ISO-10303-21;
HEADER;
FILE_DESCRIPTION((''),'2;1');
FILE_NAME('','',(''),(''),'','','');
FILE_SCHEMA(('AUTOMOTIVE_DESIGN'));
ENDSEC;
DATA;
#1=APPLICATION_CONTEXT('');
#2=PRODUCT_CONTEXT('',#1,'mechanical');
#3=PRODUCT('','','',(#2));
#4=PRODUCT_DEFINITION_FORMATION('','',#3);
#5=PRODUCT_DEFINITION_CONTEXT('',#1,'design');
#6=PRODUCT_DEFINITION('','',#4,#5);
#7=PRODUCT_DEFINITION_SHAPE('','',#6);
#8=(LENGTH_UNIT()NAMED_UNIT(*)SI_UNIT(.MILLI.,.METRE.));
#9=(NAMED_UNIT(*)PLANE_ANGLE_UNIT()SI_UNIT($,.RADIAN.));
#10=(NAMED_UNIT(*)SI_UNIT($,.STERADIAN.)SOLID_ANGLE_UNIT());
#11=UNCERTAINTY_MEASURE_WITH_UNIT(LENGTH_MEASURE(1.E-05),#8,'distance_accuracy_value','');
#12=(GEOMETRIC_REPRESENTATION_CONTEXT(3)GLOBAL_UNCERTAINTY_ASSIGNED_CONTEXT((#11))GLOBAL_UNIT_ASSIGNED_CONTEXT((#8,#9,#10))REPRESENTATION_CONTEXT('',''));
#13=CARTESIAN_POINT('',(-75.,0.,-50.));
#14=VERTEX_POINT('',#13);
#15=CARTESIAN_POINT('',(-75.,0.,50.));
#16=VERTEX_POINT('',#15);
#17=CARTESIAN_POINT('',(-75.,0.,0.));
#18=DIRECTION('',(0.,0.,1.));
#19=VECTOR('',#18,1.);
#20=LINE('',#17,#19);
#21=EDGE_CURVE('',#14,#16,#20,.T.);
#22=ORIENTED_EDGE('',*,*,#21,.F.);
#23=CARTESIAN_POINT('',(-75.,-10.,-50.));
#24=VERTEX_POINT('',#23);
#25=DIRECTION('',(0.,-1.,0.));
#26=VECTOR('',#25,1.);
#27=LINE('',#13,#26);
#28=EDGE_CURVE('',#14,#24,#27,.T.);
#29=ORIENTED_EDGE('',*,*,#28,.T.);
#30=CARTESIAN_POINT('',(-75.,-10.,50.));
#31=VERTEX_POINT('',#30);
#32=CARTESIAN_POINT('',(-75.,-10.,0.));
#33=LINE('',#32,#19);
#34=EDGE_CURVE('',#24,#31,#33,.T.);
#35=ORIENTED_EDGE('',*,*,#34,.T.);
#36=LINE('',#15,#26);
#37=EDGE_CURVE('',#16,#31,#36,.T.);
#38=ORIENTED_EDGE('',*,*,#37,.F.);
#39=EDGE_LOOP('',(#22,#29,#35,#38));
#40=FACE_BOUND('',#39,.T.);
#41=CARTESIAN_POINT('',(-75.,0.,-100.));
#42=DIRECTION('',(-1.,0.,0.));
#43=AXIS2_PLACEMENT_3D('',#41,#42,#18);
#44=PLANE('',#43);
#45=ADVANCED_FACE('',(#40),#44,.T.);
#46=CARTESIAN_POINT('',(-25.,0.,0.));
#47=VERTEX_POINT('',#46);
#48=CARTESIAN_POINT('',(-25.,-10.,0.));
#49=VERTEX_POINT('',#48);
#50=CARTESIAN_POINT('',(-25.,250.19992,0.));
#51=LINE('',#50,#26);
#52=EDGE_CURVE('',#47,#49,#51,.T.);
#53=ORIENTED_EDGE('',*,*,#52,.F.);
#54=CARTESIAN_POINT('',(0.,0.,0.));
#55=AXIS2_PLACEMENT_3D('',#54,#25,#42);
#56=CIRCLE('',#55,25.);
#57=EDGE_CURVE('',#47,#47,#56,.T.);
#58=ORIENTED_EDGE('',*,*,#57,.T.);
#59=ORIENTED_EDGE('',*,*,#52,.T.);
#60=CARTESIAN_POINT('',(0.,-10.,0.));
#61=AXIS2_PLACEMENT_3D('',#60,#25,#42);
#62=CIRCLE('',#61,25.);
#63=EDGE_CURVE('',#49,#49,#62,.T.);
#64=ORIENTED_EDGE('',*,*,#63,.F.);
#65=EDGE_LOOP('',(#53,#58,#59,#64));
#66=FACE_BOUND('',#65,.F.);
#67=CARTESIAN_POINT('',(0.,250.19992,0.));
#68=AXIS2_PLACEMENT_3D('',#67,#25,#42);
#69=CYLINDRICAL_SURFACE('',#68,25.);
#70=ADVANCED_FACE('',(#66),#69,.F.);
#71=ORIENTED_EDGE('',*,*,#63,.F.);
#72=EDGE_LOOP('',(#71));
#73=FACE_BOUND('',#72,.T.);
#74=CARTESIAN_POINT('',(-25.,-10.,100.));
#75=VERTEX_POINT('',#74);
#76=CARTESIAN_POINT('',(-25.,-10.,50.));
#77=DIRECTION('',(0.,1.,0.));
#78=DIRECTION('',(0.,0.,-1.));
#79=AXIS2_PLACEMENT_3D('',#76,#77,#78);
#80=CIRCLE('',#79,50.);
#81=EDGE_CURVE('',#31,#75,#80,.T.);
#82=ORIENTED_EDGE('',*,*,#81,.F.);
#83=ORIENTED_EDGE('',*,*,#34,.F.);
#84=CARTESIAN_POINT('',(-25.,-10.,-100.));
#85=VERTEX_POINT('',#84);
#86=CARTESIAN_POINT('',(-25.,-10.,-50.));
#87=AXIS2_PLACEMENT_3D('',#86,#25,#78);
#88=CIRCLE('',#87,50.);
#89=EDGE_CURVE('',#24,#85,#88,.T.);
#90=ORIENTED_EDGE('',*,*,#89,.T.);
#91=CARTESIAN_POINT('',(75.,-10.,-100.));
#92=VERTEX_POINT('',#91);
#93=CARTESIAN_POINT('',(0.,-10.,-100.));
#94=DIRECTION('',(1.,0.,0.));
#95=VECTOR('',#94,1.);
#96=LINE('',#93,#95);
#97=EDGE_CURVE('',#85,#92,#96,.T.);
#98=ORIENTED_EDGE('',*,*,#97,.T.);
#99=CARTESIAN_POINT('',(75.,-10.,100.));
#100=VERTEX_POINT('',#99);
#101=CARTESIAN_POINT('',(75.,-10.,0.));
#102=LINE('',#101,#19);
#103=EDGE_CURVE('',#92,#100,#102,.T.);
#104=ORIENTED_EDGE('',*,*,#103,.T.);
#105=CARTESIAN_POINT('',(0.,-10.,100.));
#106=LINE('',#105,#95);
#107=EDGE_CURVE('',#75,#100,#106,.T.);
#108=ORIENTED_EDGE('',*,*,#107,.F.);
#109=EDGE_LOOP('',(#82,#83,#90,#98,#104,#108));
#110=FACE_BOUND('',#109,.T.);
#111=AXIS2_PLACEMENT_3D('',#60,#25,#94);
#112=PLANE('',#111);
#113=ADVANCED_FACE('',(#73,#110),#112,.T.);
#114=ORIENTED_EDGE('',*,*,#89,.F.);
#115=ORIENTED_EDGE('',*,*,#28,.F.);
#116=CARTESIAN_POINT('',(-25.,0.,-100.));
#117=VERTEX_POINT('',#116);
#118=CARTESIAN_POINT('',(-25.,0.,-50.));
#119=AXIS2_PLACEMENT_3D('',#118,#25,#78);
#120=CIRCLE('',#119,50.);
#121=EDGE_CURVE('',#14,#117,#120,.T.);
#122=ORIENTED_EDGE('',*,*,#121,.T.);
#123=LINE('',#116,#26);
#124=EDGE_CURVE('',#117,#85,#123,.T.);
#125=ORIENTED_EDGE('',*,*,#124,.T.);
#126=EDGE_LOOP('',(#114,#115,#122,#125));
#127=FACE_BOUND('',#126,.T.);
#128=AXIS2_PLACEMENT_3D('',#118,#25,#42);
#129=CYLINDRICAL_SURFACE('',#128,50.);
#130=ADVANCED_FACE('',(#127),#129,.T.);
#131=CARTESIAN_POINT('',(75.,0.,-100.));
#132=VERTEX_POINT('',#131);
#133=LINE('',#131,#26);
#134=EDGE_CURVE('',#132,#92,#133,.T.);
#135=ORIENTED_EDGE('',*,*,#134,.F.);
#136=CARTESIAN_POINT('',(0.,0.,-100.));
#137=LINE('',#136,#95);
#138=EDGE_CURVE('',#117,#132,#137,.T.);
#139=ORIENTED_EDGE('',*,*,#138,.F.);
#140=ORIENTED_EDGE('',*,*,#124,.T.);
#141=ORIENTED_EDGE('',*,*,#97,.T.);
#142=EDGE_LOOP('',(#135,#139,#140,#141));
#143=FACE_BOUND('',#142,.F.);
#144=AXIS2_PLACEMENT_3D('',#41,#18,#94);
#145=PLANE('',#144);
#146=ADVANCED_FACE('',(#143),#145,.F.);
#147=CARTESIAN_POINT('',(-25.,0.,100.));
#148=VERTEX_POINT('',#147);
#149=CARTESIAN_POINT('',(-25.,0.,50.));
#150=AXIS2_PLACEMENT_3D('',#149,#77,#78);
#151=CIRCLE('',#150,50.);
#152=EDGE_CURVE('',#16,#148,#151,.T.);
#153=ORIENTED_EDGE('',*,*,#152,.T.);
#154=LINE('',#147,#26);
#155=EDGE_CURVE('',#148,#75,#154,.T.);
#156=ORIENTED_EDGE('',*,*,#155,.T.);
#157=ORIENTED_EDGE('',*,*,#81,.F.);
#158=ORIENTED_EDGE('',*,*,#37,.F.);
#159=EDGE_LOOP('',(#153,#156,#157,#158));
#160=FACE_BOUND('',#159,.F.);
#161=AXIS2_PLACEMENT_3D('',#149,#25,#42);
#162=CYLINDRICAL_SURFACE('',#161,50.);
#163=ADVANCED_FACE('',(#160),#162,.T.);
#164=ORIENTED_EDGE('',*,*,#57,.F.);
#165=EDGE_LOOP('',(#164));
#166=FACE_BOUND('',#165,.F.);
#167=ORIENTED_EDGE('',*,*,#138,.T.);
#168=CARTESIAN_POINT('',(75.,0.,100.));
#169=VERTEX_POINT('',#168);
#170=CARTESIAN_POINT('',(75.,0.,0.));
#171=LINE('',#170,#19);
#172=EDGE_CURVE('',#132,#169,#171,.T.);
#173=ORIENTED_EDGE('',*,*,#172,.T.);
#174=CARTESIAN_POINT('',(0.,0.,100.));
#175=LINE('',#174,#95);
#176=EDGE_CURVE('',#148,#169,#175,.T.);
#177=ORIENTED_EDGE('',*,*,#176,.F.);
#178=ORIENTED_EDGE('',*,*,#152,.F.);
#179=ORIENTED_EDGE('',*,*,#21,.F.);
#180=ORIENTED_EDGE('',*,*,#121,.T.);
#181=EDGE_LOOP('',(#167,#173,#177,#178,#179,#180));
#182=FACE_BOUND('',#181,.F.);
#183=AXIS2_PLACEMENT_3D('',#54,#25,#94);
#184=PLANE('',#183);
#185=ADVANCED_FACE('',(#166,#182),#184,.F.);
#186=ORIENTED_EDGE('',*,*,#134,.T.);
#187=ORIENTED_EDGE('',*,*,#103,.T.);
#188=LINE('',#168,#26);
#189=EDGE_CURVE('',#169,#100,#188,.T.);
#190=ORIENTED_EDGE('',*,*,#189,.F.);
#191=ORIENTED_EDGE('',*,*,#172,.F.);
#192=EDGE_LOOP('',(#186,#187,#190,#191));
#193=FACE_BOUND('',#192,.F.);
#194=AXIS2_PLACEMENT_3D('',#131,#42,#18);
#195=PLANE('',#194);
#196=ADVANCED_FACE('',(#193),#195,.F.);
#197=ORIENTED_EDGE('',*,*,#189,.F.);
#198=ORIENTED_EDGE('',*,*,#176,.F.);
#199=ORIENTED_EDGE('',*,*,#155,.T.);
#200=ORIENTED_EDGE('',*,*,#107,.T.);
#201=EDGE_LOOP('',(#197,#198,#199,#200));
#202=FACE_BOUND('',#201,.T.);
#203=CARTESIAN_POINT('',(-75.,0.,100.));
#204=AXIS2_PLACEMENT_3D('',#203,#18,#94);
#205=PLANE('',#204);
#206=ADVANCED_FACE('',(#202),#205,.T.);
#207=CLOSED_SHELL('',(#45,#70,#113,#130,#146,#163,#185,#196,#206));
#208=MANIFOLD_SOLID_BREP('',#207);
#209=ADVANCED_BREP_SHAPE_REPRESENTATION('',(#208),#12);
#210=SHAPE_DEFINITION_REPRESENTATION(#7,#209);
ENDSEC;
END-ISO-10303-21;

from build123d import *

# Parameters (mm, degrees)
F0_W     = 150
F0_H     = 200
F1_DEPTH = 10
F2_R     = 50
F4_D     = 50


with BuildPart() as f1:
    # F0 (on Front) → F1 (new body)
    with BuildSketch(Plane.XZ):
        Rectangle(F0_W, F0_H)
    extrude(amount=F1_DEPTH)

    # F2
    f2_edges = [f1.edges().sort_by_distance(p)[0] for p in [
        (-75, -5, 100),
        (-75, -5, -100),
    ]]
    fillet(f2_edges, radius=F2_R)

    # F4 (through all)
    with Locations(Plane(origin=(0, 0, 0), x_dir=(1, 0, 0), z_dir=(0, 1, 0))):
        with Locations((0, 0)):
            Hole(F4_D / 2)


solid = f1.part
